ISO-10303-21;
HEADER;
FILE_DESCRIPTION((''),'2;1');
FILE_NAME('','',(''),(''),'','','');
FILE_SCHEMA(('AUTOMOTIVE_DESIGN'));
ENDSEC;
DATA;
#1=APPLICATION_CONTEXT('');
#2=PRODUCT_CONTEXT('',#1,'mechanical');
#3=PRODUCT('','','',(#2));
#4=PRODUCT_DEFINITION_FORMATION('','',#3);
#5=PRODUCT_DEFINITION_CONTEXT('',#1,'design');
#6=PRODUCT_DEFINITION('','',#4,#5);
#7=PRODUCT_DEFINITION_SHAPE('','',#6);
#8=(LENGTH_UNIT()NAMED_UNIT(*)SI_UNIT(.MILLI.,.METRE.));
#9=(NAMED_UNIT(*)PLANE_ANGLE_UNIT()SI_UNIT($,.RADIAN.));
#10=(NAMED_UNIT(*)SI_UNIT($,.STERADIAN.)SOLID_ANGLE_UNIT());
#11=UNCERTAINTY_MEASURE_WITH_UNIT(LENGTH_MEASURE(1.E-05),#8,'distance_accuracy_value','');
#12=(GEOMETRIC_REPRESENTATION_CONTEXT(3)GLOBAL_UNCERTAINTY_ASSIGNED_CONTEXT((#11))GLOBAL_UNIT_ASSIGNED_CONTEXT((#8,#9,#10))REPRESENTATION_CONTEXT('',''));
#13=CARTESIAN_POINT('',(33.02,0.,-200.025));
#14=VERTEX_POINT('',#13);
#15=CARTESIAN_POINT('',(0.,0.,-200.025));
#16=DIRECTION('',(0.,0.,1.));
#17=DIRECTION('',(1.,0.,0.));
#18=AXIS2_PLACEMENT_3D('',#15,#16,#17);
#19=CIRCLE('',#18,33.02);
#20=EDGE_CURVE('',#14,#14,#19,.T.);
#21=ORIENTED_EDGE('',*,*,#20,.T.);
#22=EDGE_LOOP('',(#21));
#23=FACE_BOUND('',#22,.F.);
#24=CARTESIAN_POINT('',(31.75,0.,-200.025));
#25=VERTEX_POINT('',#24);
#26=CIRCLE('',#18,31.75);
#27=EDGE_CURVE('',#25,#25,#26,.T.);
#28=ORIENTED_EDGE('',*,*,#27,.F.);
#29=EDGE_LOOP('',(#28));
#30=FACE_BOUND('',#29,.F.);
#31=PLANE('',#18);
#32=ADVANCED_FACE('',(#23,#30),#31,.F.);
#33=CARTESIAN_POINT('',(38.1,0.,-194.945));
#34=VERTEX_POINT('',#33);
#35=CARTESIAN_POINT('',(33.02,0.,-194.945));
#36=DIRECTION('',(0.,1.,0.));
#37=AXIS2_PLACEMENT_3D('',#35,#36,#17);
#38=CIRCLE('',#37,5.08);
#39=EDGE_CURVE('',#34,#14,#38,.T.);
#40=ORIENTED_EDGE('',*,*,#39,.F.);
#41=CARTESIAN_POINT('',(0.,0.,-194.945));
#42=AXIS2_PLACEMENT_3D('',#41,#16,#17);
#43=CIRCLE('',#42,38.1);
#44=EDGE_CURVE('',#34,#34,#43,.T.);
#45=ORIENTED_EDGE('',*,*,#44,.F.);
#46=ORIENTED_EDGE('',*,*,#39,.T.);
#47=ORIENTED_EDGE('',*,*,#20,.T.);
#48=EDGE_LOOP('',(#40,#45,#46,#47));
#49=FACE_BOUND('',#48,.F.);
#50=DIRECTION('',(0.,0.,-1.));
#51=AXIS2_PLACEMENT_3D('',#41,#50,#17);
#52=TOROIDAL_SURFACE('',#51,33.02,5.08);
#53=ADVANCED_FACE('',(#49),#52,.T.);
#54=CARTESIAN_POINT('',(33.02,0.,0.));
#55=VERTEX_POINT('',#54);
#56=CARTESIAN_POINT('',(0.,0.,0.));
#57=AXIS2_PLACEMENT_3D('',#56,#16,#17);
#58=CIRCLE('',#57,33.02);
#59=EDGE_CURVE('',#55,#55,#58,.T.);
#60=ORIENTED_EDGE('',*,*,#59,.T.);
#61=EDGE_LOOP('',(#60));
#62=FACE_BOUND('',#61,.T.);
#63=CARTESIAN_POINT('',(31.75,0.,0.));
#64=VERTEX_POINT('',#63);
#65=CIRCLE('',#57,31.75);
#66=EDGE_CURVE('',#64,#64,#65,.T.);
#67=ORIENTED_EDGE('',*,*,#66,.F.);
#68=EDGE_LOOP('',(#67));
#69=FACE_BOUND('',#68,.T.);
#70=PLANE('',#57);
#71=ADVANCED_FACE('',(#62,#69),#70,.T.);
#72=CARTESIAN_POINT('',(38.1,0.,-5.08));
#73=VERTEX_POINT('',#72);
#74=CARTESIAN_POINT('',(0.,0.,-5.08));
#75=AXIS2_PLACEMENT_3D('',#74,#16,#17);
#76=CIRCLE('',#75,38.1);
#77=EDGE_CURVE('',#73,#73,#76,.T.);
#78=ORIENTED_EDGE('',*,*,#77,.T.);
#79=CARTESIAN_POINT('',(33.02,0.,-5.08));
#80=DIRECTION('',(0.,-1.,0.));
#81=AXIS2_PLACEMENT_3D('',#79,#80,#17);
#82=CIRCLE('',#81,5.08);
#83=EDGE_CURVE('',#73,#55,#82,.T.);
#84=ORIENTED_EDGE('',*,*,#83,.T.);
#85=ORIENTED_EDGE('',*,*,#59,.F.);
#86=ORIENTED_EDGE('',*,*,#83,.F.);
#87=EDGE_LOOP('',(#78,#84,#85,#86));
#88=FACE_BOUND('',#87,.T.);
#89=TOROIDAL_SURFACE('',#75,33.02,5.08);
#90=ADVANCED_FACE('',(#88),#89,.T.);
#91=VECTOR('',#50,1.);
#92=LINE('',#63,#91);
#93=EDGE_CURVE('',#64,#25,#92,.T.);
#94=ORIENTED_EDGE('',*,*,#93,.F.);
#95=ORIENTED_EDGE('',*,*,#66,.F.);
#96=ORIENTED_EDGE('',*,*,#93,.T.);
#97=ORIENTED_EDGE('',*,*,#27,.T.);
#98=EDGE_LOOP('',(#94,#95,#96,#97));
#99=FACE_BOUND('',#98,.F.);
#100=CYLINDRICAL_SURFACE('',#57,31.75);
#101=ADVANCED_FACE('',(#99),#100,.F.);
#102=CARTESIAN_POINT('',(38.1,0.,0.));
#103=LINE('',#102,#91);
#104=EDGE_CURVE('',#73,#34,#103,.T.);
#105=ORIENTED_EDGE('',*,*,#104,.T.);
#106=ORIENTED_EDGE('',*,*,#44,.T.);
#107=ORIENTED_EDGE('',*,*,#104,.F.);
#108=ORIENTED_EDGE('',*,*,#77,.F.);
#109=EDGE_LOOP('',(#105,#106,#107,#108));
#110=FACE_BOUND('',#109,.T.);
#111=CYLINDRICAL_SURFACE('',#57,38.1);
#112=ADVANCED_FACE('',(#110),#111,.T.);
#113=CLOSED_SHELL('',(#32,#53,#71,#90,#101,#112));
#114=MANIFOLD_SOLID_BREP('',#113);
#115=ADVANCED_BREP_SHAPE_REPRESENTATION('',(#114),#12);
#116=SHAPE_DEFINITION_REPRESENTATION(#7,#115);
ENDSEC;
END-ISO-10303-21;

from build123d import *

# Parameters (mm, degrees)
F0_R     = 38.1
F0_R_2   = 31.75
F1_DEPTH = 200.025
F2_R     = 5.08


with BuildPart() as f1:
    # F0 (on Top) → F1 (new body)
    with BuildSketch(Plane.XY):
        Circle(F0_R)
        Circle(F0_R_2, mode=Mode.SUBTRACT)
    extrude(amount=-F1_DEPTH)

    # F2
    f2_edges = [f1.edges().sort_by_distance(p)[0] for p in [
        (-38.1, 0, 0),
        (-38.1, 0, -200.025),
    ]]
    fillet(f2_edges, radius=F2_R)


solid = f1.part
